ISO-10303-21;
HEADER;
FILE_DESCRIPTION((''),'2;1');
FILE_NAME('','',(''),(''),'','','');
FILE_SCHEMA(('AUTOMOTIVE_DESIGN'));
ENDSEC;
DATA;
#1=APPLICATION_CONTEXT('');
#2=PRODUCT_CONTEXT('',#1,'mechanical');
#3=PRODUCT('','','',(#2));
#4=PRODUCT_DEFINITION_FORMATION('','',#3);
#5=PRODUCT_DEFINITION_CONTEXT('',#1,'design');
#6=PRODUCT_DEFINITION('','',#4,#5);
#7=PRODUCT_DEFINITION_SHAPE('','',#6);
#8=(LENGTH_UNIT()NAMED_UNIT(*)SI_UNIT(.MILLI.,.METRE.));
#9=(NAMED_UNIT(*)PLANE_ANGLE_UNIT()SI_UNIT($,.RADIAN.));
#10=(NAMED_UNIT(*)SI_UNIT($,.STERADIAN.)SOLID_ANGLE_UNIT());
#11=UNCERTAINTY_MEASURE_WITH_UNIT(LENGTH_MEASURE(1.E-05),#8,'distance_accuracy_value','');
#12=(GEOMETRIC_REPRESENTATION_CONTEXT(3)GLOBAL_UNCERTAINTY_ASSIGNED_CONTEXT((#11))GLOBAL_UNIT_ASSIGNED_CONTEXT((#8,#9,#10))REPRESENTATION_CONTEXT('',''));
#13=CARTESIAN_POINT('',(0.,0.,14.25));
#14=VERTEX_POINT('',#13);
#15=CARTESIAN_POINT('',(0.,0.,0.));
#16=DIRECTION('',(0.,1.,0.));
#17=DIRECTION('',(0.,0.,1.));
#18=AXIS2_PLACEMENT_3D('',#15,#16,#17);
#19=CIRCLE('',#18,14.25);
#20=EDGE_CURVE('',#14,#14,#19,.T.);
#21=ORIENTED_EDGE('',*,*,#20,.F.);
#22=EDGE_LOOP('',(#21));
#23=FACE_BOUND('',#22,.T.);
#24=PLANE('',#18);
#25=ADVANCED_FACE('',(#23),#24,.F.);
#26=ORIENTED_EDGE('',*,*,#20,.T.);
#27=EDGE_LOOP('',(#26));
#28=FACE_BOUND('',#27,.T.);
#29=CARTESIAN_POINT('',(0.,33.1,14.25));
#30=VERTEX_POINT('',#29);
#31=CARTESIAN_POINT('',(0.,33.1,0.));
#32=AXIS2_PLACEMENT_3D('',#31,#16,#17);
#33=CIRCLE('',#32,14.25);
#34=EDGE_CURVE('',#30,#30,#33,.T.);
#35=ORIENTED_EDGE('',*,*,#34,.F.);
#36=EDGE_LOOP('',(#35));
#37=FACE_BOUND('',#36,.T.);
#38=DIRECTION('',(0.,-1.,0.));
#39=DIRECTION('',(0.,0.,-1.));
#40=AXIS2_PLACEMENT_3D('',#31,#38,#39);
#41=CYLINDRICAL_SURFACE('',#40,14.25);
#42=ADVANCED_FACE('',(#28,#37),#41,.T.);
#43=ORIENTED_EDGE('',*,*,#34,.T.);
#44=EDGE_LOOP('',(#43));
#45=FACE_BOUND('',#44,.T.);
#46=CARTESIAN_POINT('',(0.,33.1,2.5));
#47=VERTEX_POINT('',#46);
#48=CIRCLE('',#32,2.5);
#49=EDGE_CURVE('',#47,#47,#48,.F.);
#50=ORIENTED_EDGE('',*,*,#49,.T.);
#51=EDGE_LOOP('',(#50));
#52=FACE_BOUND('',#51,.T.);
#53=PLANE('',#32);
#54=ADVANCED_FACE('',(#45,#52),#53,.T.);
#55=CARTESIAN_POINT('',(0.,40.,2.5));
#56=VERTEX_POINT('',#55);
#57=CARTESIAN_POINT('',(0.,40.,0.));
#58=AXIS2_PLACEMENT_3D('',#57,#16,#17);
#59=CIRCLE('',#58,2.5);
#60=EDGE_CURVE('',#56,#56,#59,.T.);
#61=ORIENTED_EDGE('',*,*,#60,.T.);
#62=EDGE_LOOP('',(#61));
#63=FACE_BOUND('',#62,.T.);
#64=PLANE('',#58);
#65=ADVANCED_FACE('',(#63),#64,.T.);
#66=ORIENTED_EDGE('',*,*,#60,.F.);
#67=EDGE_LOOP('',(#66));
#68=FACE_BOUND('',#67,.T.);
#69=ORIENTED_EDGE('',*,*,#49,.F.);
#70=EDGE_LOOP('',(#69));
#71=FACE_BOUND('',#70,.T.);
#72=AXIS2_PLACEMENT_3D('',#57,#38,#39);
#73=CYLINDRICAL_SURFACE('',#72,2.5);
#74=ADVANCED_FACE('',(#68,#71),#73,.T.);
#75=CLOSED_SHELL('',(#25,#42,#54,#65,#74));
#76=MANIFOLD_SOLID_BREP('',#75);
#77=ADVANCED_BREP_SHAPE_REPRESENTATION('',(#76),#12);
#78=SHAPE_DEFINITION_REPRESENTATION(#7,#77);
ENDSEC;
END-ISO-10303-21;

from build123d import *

# Parameters (mm, degrees)
SKETCH1_R           = 14.25
BOSS_EXTRUDE1_DEPTH = 33.1
SKETCH2_R           = 2.5
BOSS_EXTRUDE2_DEPTH = 40


with BuildPart() as part:
    # Sketch1 → Boss-Extrude1 (new body)
    with BuildSketch(Plane(origin=(0, 0, 0), x_dir=(1, 0, 0), z_dir=(0, 1, 0))):
        with Locations(Location((0, 0, 0), (0, 0, 270))):
            Circle(SKETCH1_R)
    extrude(amount=BOSS_EXTRUDE1_DEPTH)

    # Sketch2 → Boss-Extrude2 (add)
    with BuildSketch(Plane(origin=(0, 0, 0), x_dir=(1, 0, 0), z_dir=(0, 1, 0))):
        with Locations(Location((0, 0, 0), (0, 0, 270))):
            Circle(SKETCH2_R)
    extrude(amount=BOSS_EXTRUDE2_DEPTH)


solid = part.part
